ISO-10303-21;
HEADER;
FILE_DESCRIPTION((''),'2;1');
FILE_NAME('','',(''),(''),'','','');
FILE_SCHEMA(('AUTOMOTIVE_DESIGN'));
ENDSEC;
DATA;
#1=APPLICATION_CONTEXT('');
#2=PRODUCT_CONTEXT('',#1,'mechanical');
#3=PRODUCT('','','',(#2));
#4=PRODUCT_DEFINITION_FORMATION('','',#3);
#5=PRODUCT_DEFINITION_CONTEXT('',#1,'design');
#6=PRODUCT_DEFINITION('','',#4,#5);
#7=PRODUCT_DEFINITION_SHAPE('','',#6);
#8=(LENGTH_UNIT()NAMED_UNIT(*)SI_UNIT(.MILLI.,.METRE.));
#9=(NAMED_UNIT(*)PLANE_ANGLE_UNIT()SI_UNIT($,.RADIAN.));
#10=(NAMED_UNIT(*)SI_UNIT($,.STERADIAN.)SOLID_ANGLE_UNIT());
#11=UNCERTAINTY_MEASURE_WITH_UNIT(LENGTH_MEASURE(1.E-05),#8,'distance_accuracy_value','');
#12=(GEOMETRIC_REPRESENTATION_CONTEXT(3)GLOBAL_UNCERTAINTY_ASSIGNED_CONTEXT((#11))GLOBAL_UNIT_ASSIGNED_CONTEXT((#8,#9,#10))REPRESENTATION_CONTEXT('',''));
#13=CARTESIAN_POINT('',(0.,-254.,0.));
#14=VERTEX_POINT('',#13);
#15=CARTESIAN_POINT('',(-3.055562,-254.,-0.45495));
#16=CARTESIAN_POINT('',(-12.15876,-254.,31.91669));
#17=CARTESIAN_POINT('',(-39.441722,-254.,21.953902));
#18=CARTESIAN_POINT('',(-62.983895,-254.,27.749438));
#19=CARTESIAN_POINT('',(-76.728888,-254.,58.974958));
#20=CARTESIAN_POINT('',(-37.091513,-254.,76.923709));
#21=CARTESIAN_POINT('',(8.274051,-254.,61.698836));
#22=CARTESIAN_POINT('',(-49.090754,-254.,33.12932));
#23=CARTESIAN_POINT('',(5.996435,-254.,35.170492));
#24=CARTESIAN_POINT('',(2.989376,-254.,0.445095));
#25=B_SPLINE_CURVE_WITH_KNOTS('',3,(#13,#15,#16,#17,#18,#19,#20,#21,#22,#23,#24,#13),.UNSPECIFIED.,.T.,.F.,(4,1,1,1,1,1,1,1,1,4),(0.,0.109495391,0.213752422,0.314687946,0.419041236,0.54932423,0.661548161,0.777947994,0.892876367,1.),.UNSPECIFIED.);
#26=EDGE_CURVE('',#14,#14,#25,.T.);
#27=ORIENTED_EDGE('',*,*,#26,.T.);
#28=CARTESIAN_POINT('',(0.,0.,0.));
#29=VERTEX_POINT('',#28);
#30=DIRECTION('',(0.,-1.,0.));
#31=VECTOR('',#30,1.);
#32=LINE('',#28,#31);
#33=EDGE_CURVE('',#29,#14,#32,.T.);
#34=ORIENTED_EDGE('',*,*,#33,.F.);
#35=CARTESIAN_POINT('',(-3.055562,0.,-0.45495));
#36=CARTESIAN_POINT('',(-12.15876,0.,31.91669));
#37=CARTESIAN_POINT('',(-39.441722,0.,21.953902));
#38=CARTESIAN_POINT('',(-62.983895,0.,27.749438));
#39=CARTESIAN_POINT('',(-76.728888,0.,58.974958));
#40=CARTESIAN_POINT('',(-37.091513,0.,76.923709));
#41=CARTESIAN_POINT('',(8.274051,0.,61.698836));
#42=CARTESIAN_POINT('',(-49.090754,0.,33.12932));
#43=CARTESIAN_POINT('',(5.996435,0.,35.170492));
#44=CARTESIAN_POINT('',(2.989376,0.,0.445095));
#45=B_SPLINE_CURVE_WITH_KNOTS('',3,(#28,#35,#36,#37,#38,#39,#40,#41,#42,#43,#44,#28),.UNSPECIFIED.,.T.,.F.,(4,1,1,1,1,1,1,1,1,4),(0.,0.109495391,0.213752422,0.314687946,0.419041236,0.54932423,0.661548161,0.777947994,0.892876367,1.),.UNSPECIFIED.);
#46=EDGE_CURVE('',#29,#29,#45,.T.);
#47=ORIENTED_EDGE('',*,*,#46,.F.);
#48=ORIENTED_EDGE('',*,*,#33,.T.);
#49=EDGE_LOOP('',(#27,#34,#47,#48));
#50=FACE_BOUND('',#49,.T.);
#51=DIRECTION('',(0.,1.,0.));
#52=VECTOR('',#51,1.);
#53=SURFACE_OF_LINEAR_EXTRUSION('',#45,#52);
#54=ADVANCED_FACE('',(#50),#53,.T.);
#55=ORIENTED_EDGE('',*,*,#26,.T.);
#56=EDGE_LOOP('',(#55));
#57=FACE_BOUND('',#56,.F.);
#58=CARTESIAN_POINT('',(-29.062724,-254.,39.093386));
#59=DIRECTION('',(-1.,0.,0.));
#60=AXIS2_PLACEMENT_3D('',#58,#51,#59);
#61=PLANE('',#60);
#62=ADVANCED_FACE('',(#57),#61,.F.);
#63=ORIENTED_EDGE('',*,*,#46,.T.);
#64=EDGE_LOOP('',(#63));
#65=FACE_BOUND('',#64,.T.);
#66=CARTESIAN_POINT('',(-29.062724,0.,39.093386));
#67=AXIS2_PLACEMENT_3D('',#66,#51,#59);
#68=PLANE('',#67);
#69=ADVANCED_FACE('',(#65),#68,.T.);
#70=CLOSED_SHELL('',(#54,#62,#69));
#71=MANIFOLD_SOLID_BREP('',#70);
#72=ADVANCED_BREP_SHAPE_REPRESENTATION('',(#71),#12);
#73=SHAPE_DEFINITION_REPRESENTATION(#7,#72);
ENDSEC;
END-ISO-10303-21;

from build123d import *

# Parameters (mm, degrees)
F1_DEPTH = 254


with BuildPart() as f1:
    # F0 (on Front) → F1 (new body)
    with BuildSketch(Plane.XZ):
        with BuildLine():
            add(Edge.make_bspline(
                [(0, 0), (-3.0555619876, -0.4549496841), (-12.1587601184, 31.9166900213), (-39.441721597, 21.953901792), (-62.9838953793, 27.7494376417), (-76.7288876183, 58.9749582516), (-37.091512837, 76.9237090226), (8.2740514016, 61.6988356999), (-49.0907539602, 33.1293195294), (5.9964353337, 35.1704923047), (2.9893760478, 0.4450951066), (0, 0)],
                knots=[0, 0, 0, 0, 0.1094953912, 0.213752422, 0.3146879456, 0.4190412357, 0.5493242301, 0.6615481614, 0.7779479941, 0.8928763674, 1, 1, 1, 1], degree=3))
        make_face()
    extrude(amount=F1_DEPTH)


solid = f1.part
